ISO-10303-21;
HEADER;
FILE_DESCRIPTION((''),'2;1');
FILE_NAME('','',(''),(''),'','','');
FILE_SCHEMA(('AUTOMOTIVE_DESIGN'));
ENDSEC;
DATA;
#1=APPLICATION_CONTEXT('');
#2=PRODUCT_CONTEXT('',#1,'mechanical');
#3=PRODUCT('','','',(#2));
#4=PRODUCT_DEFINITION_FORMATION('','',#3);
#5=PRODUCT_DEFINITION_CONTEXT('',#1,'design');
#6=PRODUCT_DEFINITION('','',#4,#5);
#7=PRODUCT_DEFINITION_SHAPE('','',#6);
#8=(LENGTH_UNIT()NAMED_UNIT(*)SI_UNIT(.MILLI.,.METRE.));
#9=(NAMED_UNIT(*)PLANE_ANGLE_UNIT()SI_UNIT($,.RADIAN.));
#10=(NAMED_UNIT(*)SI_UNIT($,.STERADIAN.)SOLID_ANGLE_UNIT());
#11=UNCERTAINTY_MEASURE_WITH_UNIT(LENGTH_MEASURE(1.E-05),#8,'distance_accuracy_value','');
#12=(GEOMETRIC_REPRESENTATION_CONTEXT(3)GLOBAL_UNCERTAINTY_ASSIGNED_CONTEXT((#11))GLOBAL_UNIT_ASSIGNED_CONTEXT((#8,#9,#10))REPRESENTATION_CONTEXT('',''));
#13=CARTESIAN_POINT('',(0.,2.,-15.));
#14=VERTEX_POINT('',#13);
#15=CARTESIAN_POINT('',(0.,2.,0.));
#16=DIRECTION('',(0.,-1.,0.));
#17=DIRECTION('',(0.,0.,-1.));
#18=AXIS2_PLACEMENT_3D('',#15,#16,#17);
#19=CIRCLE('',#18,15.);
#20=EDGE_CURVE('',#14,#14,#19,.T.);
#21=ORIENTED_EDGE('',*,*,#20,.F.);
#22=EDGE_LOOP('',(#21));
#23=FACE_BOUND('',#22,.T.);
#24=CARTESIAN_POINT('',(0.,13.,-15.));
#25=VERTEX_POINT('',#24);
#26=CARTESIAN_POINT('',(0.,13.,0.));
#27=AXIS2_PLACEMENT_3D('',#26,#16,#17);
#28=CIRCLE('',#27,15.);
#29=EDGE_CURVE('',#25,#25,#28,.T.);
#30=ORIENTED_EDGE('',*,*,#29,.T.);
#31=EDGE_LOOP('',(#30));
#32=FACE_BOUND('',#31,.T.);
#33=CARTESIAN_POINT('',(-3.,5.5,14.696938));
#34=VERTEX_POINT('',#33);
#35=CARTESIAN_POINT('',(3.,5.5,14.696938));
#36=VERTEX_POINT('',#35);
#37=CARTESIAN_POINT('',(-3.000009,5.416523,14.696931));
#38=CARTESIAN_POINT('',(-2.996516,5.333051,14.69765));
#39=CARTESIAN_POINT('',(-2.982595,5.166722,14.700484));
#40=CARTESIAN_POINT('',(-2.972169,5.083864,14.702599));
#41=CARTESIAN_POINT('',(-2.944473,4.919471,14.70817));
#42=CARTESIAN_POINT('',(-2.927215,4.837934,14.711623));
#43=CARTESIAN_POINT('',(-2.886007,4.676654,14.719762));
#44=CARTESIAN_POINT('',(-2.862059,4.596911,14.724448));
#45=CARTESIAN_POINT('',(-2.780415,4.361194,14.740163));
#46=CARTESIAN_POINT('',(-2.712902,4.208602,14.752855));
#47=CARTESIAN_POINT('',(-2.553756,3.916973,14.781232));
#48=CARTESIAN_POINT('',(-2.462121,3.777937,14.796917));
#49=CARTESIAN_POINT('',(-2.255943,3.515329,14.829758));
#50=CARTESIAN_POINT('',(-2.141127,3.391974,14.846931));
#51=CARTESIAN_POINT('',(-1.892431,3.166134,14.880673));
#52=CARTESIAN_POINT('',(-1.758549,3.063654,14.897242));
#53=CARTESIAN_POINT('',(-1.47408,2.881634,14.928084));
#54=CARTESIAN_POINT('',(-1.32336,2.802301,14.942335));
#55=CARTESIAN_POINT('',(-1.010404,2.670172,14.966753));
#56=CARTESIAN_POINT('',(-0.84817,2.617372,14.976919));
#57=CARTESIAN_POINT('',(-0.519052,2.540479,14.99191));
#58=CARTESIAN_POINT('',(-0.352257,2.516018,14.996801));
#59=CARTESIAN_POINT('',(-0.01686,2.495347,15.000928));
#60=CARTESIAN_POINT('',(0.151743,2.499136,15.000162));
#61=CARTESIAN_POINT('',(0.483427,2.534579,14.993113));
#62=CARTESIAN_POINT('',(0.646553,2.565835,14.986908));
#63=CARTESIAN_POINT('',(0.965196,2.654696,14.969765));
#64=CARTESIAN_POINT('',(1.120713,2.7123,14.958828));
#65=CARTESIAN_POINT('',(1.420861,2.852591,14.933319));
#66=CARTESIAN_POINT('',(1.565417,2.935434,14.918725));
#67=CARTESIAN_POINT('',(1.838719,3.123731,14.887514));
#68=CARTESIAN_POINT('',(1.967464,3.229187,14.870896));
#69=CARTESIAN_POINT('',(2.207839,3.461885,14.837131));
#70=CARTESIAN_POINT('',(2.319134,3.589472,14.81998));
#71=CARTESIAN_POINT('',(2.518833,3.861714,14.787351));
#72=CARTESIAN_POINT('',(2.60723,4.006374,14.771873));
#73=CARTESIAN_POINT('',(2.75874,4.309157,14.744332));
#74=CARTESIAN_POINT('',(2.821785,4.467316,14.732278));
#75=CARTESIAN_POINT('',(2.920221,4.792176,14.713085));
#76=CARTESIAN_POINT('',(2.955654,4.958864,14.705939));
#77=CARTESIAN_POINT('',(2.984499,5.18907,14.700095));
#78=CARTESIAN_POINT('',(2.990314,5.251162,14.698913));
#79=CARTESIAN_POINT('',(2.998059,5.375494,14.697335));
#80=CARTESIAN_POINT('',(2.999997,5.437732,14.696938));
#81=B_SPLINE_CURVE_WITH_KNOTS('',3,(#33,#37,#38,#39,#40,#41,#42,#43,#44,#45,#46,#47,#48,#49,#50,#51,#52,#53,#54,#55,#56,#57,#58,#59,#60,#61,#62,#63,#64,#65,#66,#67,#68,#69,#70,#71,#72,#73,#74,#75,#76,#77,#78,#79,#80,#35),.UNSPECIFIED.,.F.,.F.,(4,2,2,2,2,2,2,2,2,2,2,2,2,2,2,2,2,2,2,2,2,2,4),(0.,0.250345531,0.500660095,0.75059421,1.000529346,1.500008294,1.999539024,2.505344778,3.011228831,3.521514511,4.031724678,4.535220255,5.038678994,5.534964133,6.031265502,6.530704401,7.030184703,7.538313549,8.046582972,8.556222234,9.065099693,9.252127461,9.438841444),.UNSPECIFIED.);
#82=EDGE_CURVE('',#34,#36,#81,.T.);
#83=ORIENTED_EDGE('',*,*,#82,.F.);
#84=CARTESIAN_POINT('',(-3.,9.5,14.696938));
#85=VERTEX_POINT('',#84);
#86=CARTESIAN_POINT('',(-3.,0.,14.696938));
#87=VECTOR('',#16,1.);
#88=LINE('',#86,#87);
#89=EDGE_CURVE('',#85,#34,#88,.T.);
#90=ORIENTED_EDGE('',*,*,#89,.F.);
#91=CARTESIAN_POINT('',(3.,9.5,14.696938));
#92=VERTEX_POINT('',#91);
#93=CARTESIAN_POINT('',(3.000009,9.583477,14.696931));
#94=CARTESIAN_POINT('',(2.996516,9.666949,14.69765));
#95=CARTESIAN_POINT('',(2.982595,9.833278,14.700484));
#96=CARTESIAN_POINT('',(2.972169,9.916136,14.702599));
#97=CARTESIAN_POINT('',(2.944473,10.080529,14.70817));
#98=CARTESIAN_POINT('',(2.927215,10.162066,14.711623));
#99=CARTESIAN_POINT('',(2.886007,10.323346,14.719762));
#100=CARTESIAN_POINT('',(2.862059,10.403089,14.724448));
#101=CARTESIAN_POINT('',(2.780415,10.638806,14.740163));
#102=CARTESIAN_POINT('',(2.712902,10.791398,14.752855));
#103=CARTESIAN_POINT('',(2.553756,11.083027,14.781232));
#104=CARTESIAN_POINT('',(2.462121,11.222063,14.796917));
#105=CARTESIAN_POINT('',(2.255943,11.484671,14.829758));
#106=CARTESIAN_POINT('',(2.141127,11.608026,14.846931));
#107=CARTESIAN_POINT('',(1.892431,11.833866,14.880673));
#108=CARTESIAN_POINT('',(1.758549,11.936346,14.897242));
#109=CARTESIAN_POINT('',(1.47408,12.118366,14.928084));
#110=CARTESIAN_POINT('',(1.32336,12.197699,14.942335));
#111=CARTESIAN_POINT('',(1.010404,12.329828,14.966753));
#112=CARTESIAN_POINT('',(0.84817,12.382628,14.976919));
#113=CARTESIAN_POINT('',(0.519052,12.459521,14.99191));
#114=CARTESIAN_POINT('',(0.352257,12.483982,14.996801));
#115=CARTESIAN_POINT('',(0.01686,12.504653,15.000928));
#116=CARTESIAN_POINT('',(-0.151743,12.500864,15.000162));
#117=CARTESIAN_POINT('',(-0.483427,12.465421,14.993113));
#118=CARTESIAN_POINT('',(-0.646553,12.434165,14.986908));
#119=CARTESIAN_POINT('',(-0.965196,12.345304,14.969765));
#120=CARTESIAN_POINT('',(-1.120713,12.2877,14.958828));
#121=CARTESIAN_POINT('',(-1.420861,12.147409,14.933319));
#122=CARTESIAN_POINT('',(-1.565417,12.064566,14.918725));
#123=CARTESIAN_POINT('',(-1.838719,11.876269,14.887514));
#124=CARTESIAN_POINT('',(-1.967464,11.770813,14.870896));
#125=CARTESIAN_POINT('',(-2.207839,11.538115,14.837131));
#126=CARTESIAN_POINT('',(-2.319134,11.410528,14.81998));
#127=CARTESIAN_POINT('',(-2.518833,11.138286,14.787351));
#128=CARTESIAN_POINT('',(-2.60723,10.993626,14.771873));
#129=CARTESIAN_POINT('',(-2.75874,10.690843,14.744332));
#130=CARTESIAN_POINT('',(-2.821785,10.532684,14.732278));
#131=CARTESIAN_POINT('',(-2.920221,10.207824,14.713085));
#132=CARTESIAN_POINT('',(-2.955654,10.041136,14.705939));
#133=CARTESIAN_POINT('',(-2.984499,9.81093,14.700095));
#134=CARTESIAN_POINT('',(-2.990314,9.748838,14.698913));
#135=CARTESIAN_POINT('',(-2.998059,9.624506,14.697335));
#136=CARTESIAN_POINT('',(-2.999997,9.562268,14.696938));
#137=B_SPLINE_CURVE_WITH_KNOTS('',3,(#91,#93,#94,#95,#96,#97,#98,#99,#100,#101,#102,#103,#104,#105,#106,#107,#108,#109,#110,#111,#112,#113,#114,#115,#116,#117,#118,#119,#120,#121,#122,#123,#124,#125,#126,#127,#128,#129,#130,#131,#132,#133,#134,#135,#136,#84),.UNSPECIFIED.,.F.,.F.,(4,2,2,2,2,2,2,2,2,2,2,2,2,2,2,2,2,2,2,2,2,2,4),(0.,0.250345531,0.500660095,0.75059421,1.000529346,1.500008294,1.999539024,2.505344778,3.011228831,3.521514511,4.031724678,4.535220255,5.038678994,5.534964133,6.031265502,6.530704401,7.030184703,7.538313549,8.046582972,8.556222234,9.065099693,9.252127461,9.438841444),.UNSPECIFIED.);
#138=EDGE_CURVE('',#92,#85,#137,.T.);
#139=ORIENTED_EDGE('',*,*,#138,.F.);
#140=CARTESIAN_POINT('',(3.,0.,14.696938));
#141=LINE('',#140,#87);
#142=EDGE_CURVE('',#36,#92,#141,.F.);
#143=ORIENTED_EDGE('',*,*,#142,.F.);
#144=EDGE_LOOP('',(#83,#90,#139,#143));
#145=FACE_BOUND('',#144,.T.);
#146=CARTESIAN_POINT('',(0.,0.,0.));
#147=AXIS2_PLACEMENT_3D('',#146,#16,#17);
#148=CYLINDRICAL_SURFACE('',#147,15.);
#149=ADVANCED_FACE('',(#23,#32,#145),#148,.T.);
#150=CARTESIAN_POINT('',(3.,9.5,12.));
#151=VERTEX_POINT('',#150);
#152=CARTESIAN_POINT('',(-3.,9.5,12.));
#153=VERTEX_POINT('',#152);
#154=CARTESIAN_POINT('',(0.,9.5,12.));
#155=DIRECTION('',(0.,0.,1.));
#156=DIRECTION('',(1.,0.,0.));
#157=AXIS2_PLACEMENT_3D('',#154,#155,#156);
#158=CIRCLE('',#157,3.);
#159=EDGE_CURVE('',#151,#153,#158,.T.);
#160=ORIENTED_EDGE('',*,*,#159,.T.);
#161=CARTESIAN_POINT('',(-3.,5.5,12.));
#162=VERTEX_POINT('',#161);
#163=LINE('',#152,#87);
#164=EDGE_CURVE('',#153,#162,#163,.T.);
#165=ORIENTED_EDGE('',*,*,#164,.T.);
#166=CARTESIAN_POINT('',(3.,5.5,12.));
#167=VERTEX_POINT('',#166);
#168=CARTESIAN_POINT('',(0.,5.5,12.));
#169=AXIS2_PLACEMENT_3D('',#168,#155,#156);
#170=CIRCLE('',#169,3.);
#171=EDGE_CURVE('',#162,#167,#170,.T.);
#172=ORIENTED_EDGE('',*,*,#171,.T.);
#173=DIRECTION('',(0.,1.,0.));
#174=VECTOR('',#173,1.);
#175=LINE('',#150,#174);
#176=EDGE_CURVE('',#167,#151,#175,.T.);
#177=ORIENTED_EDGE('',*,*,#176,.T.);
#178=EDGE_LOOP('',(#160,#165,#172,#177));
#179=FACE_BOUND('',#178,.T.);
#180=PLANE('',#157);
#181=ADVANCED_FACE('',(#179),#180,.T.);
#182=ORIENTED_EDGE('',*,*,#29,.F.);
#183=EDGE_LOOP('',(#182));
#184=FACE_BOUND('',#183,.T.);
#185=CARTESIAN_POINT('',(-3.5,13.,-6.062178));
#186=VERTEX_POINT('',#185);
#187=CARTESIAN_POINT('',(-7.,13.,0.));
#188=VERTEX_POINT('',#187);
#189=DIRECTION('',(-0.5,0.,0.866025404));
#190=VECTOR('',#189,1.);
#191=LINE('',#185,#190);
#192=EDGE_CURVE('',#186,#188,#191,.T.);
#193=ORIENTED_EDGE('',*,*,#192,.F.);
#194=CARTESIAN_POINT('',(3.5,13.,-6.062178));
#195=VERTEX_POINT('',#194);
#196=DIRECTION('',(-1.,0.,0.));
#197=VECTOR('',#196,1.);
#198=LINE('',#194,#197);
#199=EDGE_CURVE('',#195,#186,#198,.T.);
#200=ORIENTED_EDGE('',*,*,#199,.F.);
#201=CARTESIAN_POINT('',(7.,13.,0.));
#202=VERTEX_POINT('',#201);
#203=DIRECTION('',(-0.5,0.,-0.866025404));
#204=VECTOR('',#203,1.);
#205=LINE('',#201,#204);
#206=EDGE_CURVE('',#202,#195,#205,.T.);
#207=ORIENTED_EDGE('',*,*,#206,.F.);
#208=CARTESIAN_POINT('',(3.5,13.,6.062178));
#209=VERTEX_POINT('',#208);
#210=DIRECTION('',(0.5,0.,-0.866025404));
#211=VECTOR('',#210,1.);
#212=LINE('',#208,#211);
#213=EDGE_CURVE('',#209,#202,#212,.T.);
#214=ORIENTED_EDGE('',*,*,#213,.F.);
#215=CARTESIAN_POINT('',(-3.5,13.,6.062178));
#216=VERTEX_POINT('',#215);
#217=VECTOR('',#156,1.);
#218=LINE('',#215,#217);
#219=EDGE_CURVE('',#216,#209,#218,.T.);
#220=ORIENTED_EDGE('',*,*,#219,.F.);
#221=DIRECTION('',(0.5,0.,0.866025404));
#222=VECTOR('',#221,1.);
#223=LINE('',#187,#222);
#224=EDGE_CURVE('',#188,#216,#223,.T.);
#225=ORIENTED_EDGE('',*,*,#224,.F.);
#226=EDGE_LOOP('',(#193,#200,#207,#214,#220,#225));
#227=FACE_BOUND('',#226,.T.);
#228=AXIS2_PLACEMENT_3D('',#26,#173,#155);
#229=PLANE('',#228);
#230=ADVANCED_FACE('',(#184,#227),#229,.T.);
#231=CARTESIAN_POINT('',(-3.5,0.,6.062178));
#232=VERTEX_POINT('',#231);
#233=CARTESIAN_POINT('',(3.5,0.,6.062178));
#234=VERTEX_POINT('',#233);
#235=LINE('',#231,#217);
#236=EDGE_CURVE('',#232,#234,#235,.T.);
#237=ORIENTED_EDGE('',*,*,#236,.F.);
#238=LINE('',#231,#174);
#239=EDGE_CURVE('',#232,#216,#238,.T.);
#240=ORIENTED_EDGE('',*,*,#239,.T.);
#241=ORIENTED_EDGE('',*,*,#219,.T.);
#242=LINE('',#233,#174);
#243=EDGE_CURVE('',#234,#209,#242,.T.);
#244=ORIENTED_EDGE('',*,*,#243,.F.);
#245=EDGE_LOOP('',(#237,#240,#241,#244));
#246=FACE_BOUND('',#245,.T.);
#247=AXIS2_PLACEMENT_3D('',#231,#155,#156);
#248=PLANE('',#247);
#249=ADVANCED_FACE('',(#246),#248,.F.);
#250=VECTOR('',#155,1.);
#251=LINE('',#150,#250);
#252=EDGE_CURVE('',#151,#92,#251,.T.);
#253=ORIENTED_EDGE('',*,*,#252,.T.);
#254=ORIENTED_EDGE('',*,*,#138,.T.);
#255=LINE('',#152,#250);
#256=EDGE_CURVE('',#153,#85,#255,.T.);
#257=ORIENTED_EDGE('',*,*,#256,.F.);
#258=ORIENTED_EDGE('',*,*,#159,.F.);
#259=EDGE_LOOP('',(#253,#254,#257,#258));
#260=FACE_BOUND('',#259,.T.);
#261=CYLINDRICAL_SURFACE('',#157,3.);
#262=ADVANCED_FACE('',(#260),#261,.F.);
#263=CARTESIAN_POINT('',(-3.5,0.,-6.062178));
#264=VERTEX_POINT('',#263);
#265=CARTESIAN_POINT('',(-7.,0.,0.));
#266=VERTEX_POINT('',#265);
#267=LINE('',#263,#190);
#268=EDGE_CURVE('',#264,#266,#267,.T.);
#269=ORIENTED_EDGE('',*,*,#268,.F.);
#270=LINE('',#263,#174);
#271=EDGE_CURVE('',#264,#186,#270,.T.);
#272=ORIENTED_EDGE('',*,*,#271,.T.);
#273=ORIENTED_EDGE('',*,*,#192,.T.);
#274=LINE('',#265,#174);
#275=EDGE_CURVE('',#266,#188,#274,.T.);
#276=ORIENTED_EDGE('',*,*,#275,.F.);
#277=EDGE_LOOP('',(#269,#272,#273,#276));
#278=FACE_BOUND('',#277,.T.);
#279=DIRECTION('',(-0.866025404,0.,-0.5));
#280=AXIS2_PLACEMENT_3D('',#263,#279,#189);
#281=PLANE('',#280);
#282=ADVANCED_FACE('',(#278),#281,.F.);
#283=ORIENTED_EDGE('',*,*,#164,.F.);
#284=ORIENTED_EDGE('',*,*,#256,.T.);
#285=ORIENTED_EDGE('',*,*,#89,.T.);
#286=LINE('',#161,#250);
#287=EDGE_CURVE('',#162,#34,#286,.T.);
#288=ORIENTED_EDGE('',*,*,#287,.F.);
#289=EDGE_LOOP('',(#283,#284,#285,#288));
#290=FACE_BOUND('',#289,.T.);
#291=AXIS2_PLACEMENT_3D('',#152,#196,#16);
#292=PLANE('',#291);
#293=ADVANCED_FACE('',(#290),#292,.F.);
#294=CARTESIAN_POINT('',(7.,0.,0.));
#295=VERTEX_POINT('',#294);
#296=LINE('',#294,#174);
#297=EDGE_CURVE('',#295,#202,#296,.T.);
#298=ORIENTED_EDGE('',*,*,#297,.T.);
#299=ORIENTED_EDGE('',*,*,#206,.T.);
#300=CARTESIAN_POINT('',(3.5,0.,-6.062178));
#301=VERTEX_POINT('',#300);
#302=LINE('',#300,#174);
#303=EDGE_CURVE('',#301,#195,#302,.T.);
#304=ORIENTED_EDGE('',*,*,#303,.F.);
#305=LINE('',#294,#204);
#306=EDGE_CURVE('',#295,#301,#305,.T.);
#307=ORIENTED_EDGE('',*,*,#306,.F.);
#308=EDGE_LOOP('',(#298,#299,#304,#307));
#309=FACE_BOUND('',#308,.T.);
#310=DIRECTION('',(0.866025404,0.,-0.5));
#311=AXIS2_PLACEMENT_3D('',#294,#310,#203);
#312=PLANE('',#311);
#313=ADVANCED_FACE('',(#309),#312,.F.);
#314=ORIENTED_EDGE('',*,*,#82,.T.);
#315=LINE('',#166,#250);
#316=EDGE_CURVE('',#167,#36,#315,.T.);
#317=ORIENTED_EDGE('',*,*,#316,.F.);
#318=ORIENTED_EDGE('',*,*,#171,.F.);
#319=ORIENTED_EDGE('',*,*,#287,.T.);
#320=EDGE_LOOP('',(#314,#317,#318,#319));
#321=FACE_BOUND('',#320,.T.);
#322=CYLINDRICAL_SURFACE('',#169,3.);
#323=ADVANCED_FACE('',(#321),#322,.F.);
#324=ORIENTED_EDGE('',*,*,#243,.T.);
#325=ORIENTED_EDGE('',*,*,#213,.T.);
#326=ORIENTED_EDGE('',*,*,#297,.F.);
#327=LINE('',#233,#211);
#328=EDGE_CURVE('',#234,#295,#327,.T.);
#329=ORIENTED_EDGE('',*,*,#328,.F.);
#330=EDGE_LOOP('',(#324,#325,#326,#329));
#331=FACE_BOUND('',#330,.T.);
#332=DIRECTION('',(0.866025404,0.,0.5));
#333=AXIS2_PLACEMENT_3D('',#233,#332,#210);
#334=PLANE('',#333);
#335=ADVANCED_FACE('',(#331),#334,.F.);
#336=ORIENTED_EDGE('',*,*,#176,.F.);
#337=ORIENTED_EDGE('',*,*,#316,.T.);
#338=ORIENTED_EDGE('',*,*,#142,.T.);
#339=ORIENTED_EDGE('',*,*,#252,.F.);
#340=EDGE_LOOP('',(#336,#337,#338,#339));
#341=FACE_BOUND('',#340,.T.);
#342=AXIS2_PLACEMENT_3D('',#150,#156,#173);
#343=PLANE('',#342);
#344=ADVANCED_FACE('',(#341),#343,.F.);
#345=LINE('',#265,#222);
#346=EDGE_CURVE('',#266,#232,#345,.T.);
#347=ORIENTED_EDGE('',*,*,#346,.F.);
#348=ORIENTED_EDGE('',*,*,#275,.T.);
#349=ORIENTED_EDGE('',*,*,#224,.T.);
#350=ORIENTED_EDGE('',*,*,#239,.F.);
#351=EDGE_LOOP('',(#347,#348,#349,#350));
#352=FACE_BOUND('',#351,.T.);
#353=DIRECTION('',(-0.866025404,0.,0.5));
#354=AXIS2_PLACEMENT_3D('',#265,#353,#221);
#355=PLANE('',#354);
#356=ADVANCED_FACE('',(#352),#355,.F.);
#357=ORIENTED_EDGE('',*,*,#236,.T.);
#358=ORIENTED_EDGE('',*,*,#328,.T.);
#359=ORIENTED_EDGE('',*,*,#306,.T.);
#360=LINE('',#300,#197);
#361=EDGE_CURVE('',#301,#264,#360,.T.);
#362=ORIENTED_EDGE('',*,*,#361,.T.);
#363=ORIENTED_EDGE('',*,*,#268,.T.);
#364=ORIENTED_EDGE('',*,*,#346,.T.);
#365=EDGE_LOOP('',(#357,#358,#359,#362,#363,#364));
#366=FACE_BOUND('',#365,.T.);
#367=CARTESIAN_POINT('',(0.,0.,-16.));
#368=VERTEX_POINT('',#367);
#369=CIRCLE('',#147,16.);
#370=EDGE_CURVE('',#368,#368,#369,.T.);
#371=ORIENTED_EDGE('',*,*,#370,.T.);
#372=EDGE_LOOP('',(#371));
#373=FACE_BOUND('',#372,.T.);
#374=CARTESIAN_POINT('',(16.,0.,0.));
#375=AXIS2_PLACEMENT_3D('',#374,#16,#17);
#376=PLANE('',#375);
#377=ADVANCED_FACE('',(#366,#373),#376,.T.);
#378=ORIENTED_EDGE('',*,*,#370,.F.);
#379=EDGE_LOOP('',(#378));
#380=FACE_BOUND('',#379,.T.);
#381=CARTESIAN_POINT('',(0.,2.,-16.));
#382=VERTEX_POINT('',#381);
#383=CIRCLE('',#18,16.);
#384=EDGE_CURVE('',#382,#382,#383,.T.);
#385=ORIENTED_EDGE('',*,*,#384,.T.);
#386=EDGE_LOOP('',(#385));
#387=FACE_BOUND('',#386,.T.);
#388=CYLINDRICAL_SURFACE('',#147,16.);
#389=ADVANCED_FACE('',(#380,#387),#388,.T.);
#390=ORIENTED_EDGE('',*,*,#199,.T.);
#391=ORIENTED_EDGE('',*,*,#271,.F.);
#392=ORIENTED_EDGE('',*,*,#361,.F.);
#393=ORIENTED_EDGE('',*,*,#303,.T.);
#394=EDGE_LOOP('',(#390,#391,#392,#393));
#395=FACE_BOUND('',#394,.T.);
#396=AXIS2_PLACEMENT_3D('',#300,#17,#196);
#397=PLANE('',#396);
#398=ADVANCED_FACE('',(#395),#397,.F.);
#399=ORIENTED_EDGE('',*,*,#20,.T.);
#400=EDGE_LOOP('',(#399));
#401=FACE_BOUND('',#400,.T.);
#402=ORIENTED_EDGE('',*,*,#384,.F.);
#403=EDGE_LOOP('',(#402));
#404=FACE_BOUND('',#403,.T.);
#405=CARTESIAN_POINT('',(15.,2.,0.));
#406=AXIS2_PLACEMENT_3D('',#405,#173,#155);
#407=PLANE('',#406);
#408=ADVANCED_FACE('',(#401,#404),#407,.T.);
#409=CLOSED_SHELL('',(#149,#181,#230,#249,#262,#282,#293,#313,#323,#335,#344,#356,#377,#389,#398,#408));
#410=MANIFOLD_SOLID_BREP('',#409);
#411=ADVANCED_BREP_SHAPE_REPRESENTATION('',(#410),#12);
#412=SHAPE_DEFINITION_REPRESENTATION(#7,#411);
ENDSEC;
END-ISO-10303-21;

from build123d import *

# Parameters (mm, degrees)
CUT_EXTRUDE1_DEPTH = 27.095976701
CUT_EXTRUDE2_DEPTH = 3


with BuildPart() as part:
    # Sketch1 → Revolve2 (revolve)
    with BuildSketch(Plane.XY, mode=Mode.PRIVATE) as revolve2_sk:
        Polygon((0, 13), (15, 13), (15, 2), (16, 2), (16, 0), (0, 0), align=None)
    revolve(revolve2_sk.sketch.rotate(Axis((0, 0, 0), (0, 1, 0)), 90), axis=Axis((0, 0, 0), (0, 1, 0)))

    # Sketch2 → Cut-Extrude1 (cut, through all)
    with BuildSketch(Plane(origin=(0, 13, 0), x_dir=(1, 0, 0), z_dir=(0, 1, 0))):
        Polygon((-7, 0), (-3.5, -6.062177826), (3.5, -6.062177826), (7, 0), (3.5, 6.062177826), (-3.5, 6.062177826), align=None)
    extrude(amount=-CUT_EXTRUDE1_DEPTH, mode=Mode.SUBTRACT)

    # Sketch4 → Cut-Extrude2 (cut)
    with BuildSketch(Plane.XY.offset(15)):
        with BuildLine():
            Line((3, 9.5), (3, 5.5))
            ThreePointArc((3, 5.5), (0, 2.5), (-3, 5.5))
            Line((-3, 5.5), (-3, 9.5))
            ThreePointArc((-3, 9.5), (0, 12.5), (3, 9.5))
        make_face()
    extrude(amount=-CUT_EXTRUDE2_DEPTH, mode=Mode.SUBTRACT)


solid = part.part
